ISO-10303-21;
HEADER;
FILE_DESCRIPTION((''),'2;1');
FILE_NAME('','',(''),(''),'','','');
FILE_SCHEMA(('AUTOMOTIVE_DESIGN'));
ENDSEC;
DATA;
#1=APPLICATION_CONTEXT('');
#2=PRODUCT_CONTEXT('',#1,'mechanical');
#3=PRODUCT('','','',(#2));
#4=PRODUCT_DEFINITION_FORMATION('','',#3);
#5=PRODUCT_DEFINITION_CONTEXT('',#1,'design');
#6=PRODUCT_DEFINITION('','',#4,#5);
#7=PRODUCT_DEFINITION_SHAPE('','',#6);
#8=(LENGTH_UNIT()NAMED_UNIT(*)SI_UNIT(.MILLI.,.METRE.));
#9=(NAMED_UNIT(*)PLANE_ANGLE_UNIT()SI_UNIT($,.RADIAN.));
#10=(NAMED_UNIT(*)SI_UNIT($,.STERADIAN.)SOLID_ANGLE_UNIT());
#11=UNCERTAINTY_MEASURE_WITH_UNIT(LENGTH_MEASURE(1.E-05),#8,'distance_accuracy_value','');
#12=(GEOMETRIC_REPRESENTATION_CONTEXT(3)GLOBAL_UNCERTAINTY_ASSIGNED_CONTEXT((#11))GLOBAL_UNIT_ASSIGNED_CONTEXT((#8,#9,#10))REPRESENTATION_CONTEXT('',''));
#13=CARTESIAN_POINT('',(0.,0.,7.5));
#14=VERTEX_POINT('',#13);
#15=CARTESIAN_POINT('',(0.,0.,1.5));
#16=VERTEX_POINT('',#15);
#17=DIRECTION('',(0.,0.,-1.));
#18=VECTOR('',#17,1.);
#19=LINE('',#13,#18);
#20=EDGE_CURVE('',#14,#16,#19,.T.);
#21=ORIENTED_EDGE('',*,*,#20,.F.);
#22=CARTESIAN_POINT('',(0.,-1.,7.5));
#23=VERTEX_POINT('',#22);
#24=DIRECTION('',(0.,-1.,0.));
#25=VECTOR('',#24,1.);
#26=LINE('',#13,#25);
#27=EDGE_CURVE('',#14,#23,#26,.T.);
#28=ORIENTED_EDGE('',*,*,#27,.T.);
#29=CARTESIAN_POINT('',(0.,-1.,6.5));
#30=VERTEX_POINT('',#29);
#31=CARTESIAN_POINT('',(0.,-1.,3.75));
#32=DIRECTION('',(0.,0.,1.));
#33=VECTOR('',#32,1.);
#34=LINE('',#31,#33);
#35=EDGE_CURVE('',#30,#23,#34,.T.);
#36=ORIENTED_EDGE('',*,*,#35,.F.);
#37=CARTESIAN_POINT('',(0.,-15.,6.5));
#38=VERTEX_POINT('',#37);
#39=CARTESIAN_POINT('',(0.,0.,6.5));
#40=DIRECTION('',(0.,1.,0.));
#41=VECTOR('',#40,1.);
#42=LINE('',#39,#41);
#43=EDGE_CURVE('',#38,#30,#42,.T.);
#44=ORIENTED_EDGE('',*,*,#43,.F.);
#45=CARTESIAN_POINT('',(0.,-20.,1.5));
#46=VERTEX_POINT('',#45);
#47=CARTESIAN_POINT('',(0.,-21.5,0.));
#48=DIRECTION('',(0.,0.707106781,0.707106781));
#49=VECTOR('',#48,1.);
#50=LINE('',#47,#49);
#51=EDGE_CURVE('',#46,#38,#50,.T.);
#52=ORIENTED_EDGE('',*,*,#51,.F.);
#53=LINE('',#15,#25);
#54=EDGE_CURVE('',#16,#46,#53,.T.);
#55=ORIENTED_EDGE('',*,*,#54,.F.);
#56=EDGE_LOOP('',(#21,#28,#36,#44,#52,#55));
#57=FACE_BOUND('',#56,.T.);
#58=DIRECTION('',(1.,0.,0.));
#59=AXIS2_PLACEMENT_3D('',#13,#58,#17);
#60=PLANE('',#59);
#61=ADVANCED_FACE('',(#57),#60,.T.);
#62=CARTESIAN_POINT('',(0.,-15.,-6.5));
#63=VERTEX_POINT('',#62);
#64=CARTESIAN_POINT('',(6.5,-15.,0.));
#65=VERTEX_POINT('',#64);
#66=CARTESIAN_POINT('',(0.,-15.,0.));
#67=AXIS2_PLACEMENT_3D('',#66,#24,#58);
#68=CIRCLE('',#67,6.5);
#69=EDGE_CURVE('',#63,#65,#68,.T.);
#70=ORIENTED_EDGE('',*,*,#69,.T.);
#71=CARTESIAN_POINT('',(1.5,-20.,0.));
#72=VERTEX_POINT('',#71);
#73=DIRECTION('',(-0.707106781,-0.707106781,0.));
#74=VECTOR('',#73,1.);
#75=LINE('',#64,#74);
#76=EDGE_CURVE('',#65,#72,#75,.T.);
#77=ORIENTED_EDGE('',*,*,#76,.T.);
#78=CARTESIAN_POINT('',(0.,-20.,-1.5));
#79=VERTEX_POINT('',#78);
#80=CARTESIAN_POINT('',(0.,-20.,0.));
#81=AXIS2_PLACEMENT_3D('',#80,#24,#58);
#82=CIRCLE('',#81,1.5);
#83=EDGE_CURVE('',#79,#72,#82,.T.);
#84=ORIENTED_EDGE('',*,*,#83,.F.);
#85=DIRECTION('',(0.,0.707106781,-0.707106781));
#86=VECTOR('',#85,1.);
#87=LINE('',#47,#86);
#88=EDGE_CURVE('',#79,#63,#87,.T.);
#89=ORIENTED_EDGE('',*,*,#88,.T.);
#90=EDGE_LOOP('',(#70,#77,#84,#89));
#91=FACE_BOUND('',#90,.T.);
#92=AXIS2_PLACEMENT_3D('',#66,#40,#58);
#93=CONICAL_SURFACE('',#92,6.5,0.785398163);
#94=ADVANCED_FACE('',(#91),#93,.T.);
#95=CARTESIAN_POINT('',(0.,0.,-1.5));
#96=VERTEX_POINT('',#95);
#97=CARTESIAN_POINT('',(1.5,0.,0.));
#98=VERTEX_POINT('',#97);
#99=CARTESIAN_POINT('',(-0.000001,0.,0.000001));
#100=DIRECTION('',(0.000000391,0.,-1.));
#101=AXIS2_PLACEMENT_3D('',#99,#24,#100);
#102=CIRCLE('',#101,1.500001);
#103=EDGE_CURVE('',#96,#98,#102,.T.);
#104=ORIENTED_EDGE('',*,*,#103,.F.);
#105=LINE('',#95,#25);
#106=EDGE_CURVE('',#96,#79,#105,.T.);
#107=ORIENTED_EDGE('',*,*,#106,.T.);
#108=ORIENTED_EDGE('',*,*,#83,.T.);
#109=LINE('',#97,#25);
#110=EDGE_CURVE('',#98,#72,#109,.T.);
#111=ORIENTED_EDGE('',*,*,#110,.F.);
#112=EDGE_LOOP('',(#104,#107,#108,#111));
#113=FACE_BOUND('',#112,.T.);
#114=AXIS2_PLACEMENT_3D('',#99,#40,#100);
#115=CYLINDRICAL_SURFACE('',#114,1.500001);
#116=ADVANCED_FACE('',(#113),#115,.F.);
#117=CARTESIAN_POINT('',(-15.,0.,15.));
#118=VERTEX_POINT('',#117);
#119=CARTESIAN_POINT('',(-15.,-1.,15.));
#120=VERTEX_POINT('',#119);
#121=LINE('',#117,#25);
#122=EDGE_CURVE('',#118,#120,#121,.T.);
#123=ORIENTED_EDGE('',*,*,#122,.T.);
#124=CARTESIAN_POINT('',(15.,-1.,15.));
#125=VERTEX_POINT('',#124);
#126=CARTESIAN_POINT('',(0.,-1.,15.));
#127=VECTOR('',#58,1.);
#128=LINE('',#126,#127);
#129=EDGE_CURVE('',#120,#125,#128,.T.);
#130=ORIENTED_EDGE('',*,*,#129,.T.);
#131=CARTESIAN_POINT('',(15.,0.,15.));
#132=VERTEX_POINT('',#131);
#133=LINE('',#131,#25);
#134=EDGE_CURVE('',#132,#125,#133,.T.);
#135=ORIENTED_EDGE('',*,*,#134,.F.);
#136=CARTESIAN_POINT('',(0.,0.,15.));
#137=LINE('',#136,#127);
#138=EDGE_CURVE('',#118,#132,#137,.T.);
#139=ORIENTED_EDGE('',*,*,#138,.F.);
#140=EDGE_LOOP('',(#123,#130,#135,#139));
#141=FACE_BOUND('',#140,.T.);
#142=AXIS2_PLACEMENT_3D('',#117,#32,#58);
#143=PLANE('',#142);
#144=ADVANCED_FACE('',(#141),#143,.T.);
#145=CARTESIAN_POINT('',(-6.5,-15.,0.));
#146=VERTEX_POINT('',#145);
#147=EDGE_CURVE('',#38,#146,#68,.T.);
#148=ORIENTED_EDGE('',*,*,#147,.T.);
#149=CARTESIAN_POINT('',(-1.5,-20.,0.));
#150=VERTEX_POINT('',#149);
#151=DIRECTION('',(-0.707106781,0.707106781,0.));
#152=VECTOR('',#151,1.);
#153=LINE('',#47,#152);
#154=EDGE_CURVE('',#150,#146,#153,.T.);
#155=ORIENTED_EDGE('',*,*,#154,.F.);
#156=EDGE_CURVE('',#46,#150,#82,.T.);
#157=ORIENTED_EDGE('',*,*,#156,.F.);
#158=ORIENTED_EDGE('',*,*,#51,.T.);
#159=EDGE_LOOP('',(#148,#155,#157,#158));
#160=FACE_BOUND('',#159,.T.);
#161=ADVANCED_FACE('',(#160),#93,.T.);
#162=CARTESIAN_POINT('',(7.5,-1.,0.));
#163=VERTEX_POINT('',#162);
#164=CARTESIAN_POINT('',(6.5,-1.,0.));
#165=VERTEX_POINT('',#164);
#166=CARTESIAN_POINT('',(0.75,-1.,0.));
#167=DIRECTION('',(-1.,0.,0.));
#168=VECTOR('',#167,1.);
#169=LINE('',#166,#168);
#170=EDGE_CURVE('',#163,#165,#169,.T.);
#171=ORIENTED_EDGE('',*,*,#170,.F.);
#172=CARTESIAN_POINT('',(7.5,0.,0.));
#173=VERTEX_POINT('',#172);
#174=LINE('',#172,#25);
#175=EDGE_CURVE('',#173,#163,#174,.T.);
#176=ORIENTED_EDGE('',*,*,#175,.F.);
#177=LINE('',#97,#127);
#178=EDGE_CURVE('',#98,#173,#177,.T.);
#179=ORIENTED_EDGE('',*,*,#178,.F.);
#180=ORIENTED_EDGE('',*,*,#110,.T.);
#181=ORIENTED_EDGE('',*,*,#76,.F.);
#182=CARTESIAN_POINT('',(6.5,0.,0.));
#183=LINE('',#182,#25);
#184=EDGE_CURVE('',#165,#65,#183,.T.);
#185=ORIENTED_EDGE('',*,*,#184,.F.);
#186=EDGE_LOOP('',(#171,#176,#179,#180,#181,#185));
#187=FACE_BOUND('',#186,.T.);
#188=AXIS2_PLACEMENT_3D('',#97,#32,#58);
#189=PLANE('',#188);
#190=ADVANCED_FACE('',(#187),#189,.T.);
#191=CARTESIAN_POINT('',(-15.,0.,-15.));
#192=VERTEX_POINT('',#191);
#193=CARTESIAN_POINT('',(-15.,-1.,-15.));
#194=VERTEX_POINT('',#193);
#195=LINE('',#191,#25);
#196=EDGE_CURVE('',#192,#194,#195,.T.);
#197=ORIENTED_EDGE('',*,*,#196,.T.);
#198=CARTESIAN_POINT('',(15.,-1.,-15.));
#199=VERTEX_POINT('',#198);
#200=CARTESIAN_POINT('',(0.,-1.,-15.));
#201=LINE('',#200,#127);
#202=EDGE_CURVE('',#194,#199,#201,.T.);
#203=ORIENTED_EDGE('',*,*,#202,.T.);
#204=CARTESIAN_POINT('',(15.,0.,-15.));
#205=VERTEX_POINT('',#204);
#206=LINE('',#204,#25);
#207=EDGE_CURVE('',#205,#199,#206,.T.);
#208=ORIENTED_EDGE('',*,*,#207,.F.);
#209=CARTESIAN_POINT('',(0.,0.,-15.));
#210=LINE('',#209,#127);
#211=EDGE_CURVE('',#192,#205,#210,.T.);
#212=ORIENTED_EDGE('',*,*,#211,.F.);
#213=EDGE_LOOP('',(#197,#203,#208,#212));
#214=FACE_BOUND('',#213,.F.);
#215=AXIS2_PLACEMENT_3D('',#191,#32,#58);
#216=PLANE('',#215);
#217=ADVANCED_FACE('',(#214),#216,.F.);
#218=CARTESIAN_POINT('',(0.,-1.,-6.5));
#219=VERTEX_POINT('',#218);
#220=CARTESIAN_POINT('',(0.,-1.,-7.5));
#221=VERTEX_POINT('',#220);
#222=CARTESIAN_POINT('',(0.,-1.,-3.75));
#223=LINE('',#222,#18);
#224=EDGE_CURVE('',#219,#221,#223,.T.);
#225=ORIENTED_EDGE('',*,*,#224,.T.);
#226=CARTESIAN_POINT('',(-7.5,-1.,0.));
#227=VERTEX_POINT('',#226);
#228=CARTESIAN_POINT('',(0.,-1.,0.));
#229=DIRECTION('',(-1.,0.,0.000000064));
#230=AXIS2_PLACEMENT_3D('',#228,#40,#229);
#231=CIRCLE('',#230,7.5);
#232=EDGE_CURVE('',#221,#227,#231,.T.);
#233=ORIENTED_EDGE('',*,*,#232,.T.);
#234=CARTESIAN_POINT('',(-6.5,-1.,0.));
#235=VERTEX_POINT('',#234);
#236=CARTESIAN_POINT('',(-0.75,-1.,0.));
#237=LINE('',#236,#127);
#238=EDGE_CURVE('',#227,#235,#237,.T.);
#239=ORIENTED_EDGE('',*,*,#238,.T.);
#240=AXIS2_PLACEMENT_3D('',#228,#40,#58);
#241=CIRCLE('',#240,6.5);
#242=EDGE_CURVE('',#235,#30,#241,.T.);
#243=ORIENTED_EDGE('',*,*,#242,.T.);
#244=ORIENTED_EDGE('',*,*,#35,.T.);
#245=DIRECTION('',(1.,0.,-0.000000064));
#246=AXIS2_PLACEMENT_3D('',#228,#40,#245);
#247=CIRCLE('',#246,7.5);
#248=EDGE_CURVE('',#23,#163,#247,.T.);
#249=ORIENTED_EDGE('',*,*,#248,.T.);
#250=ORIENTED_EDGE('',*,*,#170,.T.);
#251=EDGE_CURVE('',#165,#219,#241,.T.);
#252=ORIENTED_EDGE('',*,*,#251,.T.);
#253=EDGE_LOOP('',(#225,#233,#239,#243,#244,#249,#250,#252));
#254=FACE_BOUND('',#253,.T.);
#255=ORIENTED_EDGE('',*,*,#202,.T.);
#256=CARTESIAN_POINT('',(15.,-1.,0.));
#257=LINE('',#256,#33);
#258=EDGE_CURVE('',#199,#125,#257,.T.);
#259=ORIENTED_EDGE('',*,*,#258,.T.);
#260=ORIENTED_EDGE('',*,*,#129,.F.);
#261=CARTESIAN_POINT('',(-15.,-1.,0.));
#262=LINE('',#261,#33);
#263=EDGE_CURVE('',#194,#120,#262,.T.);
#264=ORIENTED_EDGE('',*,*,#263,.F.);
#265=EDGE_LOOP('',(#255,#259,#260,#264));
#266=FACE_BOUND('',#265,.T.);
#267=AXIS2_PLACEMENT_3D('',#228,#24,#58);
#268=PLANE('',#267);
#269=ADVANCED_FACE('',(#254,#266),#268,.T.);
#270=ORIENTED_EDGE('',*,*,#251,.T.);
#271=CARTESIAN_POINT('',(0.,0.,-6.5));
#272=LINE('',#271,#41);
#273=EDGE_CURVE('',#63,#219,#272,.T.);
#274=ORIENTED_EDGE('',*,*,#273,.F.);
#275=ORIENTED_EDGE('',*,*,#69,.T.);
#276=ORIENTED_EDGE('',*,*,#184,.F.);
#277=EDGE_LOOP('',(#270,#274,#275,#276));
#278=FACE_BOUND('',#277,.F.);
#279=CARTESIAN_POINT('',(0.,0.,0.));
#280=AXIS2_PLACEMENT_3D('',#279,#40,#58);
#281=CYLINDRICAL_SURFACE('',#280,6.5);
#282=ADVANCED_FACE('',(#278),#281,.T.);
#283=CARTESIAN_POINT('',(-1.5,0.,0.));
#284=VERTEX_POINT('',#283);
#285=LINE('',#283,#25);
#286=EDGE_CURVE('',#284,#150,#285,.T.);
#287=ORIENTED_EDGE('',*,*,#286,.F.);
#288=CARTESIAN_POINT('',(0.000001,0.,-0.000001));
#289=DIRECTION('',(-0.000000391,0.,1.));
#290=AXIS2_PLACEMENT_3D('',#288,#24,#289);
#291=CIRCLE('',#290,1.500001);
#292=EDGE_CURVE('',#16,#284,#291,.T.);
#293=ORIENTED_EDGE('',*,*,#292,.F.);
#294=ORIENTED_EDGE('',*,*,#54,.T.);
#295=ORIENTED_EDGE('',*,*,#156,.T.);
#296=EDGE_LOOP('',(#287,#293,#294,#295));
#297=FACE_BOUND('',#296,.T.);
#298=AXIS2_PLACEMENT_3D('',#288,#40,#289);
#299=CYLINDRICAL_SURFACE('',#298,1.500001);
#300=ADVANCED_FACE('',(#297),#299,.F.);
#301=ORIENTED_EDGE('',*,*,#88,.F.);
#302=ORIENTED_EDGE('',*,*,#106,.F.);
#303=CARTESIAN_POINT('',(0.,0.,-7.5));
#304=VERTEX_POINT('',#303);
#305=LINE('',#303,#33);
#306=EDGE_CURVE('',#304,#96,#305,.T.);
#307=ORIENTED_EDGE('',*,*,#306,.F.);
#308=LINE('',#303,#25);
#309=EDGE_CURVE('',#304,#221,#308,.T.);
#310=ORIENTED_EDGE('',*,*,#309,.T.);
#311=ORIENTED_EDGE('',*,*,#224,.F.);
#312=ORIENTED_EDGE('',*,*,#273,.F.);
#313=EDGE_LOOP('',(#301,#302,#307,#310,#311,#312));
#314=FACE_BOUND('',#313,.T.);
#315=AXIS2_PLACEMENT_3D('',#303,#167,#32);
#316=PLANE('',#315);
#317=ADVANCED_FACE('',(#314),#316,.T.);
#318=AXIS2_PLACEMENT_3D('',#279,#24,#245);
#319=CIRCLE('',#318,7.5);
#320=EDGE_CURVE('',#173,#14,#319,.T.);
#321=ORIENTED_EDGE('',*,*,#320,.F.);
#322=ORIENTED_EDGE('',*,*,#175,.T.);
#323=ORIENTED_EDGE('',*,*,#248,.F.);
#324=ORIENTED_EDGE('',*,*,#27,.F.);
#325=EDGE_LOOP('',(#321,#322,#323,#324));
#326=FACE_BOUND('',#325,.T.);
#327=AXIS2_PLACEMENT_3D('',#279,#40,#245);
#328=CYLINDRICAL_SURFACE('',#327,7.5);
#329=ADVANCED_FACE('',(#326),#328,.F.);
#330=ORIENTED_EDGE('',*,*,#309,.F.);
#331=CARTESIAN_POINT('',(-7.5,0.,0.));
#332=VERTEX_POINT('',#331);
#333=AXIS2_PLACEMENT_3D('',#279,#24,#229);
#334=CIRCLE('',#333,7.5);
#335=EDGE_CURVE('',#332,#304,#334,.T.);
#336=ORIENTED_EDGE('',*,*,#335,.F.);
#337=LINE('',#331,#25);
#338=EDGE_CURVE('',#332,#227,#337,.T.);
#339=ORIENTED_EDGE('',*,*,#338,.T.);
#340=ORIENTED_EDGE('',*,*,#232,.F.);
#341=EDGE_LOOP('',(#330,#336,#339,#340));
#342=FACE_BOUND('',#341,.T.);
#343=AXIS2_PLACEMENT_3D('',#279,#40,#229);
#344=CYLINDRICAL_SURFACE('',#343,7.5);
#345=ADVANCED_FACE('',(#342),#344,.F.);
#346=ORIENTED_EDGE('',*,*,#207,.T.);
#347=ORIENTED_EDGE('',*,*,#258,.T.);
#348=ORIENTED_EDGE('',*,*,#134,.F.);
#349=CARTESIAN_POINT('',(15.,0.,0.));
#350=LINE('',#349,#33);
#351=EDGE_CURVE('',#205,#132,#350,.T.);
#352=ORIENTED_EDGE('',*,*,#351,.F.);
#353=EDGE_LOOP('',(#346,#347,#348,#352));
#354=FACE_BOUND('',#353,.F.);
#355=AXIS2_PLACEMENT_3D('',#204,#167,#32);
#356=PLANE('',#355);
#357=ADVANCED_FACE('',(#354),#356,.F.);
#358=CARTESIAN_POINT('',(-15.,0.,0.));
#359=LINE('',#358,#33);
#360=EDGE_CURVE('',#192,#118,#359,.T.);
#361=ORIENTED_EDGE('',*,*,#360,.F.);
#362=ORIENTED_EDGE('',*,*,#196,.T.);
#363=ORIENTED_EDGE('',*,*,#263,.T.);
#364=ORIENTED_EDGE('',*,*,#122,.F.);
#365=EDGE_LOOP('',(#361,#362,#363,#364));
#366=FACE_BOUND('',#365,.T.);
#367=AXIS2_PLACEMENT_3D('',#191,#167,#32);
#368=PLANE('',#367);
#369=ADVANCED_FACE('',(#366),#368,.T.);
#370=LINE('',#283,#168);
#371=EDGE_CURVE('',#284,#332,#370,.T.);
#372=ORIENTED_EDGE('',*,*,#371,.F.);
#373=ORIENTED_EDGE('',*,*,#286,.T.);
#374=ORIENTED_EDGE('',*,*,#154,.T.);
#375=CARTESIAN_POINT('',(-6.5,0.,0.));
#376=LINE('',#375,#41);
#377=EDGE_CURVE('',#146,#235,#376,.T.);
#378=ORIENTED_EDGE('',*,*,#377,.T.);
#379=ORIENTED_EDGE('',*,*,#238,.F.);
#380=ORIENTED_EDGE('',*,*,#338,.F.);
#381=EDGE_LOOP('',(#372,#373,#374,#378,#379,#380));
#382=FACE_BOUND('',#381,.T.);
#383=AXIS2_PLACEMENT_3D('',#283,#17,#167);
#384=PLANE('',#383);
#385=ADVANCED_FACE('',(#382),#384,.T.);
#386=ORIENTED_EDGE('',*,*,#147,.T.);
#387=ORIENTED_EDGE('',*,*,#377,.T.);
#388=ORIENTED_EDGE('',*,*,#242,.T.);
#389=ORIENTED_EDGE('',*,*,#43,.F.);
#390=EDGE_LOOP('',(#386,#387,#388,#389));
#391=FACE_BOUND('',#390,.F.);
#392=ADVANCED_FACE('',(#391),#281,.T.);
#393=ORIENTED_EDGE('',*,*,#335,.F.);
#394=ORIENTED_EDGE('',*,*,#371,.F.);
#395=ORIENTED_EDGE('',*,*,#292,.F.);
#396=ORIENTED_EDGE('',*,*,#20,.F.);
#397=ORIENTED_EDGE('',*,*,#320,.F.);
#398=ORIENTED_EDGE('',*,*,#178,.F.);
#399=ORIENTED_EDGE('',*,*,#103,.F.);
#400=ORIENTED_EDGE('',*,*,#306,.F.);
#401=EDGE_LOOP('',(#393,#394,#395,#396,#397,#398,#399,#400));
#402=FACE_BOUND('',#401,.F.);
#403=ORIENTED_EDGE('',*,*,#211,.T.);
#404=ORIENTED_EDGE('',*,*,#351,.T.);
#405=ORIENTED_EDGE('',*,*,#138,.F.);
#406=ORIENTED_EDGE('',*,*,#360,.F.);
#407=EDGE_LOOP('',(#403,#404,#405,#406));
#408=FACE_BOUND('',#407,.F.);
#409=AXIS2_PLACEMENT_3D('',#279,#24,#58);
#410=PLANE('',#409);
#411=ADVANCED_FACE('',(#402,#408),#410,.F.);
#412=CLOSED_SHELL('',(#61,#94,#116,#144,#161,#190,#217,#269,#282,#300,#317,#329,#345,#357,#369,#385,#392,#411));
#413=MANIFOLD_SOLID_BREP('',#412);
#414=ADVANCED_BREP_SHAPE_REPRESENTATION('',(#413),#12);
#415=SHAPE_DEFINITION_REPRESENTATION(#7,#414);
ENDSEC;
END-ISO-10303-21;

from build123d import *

# Parameters (mm, degrees)
F0_R     = 6.5
F1_DEPTH = 20
F2_SIZE  = 5
F3_W     = 30
F3_H     = 30
F4_DEPTH = 1
F6_DEPTH = 25


with BuildPart() as f1:
    # F0 (on Front) → F1 (new body)
    with BuildSketch(Plane.XZ):
        Circle(F0_R)
    extrude(amount=F1_DEPTH)

    # F2
    f2_edges = [f1.edges().sort_by_distance(p)[0] for p in [
        (-6.5, -20, 0),
    ]]
    chamfer(f2_edges, length=F2_SIZE)

    # F3 (on Front) → F4 (join)
    with BuildSketch(Plane.XZ):
        Rectangle(F3_W, F3_H)
    extrude(amount=F4_DEPTH)

    # F5 (on Front) → F6 (cut)
    with BuildSketch(Plane.XZ):
        with BuildLine():
            Line((-1.5, 0), (-7.5, 0))
            ThreePointArc((-7.5, 0), (-5.303301, -5.303301), (0, -7.5))
            Line((0, -7.5), (0, -1.5))
            ThreePointArc((0, -1.5), (1.06066, -1.06066), (1.5, 0))
            Line((1.5, 0), (7.5, 0))
            ThreePointArc((7.5, 0), (5.303301, 5.303301), (0, 7.5))
            Line((0, 7.5), (0, 1.5))
            ThreePointArc((0, 1.5), (-1.06066, 1.06066), (-1.5, 0))
        make_face()
    extrude(amount=F6_DEPTH, mode=Mode.SUBTRACT)


solid = f1.part
